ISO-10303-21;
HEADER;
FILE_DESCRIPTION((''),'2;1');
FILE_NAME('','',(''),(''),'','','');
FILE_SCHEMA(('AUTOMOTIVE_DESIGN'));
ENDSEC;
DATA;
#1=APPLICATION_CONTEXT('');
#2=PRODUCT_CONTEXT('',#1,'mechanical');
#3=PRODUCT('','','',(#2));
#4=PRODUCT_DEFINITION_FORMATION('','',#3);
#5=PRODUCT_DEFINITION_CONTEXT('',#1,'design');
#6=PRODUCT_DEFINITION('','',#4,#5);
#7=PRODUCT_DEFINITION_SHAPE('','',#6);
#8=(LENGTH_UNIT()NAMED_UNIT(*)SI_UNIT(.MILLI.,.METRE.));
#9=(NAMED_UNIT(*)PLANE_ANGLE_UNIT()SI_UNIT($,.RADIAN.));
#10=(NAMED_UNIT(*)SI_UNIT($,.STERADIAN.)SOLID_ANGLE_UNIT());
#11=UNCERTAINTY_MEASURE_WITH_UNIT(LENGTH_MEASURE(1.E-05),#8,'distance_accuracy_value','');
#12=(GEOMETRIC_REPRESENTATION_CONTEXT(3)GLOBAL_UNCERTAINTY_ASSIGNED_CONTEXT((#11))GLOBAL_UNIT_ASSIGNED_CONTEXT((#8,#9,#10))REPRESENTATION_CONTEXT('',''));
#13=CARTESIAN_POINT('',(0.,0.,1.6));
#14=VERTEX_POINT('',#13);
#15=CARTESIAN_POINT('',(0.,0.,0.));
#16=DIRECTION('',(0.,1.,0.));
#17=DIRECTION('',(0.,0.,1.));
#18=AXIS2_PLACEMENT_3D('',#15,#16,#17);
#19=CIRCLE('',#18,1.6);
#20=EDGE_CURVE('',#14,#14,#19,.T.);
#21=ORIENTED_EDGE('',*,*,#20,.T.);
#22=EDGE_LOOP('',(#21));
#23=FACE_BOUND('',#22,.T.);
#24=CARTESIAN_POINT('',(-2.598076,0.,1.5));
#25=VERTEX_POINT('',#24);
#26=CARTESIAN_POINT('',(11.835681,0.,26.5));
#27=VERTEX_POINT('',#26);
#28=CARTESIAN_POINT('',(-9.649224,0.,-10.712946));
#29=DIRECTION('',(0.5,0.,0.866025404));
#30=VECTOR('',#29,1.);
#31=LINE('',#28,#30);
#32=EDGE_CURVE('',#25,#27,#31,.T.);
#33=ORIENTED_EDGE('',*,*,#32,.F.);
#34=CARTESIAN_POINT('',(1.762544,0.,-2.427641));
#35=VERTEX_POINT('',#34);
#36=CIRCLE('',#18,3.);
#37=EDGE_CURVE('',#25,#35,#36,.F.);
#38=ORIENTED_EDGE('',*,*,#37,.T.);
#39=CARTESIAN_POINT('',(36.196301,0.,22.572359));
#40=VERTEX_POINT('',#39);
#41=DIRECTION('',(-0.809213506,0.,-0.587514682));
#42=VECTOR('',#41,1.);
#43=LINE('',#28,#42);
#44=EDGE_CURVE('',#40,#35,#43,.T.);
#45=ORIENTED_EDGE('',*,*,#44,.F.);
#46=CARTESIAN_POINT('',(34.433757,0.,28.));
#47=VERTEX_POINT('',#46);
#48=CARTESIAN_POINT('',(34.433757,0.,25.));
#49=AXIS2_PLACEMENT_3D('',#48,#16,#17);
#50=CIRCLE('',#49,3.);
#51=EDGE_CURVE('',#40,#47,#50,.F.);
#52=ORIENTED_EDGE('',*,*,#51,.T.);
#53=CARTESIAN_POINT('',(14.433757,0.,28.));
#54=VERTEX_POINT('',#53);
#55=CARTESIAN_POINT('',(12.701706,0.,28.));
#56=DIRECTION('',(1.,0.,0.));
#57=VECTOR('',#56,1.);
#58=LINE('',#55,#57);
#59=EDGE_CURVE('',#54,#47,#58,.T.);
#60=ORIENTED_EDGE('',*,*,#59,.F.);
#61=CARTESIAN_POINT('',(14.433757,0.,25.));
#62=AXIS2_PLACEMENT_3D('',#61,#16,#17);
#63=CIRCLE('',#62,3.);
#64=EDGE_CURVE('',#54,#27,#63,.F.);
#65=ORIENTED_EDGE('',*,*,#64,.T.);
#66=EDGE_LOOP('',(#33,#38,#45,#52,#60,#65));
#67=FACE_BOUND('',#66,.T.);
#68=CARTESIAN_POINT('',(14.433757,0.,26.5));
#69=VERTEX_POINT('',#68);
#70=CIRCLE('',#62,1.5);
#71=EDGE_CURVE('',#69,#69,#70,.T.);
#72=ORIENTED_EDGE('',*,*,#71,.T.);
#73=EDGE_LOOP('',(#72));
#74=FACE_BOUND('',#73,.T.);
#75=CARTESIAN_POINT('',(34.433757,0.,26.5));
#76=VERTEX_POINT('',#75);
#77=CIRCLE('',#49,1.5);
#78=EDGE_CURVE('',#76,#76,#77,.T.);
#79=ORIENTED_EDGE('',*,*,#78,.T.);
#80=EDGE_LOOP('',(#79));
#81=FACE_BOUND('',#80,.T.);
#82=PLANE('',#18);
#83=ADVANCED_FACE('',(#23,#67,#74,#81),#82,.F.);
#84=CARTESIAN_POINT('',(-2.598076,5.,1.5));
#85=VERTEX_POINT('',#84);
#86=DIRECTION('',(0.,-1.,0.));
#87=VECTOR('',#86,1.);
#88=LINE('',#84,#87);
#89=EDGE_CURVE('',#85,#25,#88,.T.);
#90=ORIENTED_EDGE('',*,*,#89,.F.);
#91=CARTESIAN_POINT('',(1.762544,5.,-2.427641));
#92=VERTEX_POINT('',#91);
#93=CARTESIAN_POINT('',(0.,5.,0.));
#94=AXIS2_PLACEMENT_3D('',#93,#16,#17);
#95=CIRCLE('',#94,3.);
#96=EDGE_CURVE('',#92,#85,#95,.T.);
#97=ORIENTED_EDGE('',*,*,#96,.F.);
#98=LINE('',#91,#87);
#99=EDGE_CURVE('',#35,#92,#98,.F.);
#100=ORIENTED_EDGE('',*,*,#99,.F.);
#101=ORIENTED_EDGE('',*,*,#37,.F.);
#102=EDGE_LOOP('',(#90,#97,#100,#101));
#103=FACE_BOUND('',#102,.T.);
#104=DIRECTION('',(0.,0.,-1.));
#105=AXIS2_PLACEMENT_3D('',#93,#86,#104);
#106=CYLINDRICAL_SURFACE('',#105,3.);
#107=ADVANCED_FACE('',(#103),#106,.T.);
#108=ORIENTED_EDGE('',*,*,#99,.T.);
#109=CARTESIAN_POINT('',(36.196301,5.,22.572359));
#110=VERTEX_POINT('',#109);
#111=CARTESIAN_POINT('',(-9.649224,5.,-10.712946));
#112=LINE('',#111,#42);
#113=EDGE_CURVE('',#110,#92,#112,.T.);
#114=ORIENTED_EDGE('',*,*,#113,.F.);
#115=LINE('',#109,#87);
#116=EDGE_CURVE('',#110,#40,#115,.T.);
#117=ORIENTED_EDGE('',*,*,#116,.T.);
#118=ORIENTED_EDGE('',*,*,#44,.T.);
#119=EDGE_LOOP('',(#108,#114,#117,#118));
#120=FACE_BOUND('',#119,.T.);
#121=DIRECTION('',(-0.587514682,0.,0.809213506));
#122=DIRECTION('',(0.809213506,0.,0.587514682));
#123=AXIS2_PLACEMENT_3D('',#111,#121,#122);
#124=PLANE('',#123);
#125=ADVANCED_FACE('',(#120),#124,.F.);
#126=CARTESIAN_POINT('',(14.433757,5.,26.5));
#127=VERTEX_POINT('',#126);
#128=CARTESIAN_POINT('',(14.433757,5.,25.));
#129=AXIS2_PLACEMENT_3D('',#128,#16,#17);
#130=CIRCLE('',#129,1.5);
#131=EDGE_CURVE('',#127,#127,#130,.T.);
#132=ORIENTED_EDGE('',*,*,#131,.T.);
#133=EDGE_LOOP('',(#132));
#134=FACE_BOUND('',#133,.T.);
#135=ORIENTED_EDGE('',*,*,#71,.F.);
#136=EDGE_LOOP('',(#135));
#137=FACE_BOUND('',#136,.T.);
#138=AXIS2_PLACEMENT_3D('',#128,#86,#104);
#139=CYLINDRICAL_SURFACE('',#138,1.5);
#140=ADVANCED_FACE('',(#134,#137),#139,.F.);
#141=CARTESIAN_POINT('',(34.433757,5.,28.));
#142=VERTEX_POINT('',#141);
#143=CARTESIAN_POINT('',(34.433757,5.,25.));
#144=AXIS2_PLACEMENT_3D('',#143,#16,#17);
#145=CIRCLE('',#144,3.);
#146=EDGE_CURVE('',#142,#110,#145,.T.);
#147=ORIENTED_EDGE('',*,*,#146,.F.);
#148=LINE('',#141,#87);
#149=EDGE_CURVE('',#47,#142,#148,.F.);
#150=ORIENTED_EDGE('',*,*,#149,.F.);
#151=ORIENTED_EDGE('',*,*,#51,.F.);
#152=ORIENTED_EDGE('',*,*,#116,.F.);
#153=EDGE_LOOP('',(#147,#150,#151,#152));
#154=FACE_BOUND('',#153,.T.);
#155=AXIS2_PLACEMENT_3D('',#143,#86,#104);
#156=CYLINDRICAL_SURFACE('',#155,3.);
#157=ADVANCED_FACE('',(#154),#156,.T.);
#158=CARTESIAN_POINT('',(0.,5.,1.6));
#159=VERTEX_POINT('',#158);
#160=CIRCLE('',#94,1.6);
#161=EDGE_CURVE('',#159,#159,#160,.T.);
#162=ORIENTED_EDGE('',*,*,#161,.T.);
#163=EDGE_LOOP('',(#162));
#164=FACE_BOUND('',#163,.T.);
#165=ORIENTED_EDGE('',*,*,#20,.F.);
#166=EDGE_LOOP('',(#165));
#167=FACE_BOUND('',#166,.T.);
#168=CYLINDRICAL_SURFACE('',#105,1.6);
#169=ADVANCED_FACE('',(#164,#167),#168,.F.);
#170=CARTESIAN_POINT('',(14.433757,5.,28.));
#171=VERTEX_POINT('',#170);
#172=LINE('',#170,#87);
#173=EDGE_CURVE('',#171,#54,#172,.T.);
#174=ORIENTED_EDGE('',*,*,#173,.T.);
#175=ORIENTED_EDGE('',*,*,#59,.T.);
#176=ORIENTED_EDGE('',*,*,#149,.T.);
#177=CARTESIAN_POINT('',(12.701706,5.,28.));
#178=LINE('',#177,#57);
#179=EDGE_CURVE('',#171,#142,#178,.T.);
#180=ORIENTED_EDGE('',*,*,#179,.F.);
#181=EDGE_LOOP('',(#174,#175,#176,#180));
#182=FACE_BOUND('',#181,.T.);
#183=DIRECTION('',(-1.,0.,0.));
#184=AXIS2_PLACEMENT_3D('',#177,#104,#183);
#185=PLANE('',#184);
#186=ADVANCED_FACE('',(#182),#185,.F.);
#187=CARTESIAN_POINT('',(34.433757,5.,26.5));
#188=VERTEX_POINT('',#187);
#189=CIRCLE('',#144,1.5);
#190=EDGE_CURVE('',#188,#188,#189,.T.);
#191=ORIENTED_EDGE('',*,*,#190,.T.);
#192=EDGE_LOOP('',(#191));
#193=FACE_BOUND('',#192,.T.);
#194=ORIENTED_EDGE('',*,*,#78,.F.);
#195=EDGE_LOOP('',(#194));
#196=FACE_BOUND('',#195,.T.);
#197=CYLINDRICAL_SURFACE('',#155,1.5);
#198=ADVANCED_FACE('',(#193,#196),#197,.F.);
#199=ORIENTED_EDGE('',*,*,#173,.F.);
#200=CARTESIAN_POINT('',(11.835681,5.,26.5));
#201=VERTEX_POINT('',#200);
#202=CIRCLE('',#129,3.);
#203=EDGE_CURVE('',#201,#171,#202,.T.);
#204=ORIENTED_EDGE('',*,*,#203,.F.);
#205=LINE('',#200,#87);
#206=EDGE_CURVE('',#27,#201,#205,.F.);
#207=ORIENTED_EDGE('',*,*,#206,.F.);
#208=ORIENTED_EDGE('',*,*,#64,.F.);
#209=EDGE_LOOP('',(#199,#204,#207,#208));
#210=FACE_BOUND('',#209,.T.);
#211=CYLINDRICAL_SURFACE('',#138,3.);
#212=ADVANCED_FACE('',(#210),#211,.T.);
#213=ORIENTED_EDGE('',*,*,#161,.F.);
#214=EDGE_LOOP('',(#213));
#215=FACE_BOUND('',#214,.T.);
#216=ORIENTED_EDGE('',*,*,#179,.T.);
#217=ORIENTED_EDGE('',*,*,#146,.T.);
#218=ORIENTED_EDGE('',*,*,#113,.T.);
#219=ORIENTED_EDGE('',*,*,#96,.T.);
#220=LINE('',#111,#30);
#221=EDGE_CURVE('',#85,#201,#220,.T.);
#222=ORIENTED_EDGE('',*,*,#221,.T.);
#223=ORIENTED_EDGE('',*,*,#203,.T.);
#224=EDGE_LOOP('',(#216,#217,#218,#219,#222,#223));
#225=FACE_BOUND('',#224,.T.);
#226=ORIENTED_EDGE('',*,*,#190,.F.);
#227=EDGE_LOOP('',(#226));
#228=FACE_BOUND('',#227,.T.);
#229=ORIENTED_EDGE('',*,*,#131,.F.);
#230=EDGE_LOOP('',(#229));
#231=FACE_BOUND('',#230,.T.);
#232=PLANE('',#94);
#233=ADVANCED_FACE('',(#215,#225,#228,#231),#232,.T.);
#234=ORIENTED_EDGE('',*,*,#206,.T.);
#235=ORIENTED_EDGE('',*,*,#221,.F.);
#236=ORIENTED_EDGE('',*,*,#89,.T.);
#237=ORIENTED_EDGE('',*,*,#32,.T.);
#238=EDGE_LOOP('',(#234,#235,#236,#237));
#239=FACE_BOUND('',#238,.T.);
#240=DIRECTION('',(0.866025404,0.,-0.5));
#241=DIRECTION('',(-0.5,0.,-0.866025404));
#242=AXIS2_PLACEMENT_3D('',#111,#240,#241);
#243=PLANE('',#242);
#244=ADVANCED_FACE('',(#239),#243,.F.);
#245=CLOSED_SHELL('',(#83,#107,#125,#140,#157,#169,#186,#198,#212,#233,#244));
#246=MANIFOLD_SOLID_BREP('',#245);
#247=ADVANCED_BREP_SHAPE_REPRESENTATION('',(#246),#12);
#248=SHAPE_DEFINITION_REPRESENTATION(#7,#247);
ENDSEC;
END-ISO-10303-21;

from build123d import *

# Parameters (mm, degrees)
SKETCH2_R           = 1.6
SKETCH2_R_2         = 1.5
BOSS_EXTRUDE2_DEPTH = 5
FILLET1_R           = 3


with BuildPart() as part:
    # Sketch2 → Boss-Extrude2 (new body)
    with BuildSketch(Plane(origin=(0, 0, 0), x_dir=(1, 0, 0), z_dir=(0, 1, 0))):
        Polygon((12.701705922, -28), (43.672062905, -28), (-9.649224004, 10.712946228), align=None)
        Circle(SKETCH2_R, mode=Mode.SUBTRACT)
        with Locations((14.43375673, -25)):
            Circle(SKETCH2_R_2, mode=Mode.SUBTRACT)
        with Locations((34.43375673, -25)):
            Circle(SKETCH2_R_2, mode=Mode.SUBTRACT)
    extrude(amount=BOSS_EXTRUDE2_DEPTH)

    # Fillet1
    fillet1_edges = [part.edges().sort_by_distance(p)[0] for p in [
        (43.672062905, 2.5, 28),
        (12.701705922, 2.5, 28),
        (-9.649224004, 2.5, -10.712946228),
    ]]
    fillet(fillet1_edges, radius=FILLET1_R)


solid = part.part
